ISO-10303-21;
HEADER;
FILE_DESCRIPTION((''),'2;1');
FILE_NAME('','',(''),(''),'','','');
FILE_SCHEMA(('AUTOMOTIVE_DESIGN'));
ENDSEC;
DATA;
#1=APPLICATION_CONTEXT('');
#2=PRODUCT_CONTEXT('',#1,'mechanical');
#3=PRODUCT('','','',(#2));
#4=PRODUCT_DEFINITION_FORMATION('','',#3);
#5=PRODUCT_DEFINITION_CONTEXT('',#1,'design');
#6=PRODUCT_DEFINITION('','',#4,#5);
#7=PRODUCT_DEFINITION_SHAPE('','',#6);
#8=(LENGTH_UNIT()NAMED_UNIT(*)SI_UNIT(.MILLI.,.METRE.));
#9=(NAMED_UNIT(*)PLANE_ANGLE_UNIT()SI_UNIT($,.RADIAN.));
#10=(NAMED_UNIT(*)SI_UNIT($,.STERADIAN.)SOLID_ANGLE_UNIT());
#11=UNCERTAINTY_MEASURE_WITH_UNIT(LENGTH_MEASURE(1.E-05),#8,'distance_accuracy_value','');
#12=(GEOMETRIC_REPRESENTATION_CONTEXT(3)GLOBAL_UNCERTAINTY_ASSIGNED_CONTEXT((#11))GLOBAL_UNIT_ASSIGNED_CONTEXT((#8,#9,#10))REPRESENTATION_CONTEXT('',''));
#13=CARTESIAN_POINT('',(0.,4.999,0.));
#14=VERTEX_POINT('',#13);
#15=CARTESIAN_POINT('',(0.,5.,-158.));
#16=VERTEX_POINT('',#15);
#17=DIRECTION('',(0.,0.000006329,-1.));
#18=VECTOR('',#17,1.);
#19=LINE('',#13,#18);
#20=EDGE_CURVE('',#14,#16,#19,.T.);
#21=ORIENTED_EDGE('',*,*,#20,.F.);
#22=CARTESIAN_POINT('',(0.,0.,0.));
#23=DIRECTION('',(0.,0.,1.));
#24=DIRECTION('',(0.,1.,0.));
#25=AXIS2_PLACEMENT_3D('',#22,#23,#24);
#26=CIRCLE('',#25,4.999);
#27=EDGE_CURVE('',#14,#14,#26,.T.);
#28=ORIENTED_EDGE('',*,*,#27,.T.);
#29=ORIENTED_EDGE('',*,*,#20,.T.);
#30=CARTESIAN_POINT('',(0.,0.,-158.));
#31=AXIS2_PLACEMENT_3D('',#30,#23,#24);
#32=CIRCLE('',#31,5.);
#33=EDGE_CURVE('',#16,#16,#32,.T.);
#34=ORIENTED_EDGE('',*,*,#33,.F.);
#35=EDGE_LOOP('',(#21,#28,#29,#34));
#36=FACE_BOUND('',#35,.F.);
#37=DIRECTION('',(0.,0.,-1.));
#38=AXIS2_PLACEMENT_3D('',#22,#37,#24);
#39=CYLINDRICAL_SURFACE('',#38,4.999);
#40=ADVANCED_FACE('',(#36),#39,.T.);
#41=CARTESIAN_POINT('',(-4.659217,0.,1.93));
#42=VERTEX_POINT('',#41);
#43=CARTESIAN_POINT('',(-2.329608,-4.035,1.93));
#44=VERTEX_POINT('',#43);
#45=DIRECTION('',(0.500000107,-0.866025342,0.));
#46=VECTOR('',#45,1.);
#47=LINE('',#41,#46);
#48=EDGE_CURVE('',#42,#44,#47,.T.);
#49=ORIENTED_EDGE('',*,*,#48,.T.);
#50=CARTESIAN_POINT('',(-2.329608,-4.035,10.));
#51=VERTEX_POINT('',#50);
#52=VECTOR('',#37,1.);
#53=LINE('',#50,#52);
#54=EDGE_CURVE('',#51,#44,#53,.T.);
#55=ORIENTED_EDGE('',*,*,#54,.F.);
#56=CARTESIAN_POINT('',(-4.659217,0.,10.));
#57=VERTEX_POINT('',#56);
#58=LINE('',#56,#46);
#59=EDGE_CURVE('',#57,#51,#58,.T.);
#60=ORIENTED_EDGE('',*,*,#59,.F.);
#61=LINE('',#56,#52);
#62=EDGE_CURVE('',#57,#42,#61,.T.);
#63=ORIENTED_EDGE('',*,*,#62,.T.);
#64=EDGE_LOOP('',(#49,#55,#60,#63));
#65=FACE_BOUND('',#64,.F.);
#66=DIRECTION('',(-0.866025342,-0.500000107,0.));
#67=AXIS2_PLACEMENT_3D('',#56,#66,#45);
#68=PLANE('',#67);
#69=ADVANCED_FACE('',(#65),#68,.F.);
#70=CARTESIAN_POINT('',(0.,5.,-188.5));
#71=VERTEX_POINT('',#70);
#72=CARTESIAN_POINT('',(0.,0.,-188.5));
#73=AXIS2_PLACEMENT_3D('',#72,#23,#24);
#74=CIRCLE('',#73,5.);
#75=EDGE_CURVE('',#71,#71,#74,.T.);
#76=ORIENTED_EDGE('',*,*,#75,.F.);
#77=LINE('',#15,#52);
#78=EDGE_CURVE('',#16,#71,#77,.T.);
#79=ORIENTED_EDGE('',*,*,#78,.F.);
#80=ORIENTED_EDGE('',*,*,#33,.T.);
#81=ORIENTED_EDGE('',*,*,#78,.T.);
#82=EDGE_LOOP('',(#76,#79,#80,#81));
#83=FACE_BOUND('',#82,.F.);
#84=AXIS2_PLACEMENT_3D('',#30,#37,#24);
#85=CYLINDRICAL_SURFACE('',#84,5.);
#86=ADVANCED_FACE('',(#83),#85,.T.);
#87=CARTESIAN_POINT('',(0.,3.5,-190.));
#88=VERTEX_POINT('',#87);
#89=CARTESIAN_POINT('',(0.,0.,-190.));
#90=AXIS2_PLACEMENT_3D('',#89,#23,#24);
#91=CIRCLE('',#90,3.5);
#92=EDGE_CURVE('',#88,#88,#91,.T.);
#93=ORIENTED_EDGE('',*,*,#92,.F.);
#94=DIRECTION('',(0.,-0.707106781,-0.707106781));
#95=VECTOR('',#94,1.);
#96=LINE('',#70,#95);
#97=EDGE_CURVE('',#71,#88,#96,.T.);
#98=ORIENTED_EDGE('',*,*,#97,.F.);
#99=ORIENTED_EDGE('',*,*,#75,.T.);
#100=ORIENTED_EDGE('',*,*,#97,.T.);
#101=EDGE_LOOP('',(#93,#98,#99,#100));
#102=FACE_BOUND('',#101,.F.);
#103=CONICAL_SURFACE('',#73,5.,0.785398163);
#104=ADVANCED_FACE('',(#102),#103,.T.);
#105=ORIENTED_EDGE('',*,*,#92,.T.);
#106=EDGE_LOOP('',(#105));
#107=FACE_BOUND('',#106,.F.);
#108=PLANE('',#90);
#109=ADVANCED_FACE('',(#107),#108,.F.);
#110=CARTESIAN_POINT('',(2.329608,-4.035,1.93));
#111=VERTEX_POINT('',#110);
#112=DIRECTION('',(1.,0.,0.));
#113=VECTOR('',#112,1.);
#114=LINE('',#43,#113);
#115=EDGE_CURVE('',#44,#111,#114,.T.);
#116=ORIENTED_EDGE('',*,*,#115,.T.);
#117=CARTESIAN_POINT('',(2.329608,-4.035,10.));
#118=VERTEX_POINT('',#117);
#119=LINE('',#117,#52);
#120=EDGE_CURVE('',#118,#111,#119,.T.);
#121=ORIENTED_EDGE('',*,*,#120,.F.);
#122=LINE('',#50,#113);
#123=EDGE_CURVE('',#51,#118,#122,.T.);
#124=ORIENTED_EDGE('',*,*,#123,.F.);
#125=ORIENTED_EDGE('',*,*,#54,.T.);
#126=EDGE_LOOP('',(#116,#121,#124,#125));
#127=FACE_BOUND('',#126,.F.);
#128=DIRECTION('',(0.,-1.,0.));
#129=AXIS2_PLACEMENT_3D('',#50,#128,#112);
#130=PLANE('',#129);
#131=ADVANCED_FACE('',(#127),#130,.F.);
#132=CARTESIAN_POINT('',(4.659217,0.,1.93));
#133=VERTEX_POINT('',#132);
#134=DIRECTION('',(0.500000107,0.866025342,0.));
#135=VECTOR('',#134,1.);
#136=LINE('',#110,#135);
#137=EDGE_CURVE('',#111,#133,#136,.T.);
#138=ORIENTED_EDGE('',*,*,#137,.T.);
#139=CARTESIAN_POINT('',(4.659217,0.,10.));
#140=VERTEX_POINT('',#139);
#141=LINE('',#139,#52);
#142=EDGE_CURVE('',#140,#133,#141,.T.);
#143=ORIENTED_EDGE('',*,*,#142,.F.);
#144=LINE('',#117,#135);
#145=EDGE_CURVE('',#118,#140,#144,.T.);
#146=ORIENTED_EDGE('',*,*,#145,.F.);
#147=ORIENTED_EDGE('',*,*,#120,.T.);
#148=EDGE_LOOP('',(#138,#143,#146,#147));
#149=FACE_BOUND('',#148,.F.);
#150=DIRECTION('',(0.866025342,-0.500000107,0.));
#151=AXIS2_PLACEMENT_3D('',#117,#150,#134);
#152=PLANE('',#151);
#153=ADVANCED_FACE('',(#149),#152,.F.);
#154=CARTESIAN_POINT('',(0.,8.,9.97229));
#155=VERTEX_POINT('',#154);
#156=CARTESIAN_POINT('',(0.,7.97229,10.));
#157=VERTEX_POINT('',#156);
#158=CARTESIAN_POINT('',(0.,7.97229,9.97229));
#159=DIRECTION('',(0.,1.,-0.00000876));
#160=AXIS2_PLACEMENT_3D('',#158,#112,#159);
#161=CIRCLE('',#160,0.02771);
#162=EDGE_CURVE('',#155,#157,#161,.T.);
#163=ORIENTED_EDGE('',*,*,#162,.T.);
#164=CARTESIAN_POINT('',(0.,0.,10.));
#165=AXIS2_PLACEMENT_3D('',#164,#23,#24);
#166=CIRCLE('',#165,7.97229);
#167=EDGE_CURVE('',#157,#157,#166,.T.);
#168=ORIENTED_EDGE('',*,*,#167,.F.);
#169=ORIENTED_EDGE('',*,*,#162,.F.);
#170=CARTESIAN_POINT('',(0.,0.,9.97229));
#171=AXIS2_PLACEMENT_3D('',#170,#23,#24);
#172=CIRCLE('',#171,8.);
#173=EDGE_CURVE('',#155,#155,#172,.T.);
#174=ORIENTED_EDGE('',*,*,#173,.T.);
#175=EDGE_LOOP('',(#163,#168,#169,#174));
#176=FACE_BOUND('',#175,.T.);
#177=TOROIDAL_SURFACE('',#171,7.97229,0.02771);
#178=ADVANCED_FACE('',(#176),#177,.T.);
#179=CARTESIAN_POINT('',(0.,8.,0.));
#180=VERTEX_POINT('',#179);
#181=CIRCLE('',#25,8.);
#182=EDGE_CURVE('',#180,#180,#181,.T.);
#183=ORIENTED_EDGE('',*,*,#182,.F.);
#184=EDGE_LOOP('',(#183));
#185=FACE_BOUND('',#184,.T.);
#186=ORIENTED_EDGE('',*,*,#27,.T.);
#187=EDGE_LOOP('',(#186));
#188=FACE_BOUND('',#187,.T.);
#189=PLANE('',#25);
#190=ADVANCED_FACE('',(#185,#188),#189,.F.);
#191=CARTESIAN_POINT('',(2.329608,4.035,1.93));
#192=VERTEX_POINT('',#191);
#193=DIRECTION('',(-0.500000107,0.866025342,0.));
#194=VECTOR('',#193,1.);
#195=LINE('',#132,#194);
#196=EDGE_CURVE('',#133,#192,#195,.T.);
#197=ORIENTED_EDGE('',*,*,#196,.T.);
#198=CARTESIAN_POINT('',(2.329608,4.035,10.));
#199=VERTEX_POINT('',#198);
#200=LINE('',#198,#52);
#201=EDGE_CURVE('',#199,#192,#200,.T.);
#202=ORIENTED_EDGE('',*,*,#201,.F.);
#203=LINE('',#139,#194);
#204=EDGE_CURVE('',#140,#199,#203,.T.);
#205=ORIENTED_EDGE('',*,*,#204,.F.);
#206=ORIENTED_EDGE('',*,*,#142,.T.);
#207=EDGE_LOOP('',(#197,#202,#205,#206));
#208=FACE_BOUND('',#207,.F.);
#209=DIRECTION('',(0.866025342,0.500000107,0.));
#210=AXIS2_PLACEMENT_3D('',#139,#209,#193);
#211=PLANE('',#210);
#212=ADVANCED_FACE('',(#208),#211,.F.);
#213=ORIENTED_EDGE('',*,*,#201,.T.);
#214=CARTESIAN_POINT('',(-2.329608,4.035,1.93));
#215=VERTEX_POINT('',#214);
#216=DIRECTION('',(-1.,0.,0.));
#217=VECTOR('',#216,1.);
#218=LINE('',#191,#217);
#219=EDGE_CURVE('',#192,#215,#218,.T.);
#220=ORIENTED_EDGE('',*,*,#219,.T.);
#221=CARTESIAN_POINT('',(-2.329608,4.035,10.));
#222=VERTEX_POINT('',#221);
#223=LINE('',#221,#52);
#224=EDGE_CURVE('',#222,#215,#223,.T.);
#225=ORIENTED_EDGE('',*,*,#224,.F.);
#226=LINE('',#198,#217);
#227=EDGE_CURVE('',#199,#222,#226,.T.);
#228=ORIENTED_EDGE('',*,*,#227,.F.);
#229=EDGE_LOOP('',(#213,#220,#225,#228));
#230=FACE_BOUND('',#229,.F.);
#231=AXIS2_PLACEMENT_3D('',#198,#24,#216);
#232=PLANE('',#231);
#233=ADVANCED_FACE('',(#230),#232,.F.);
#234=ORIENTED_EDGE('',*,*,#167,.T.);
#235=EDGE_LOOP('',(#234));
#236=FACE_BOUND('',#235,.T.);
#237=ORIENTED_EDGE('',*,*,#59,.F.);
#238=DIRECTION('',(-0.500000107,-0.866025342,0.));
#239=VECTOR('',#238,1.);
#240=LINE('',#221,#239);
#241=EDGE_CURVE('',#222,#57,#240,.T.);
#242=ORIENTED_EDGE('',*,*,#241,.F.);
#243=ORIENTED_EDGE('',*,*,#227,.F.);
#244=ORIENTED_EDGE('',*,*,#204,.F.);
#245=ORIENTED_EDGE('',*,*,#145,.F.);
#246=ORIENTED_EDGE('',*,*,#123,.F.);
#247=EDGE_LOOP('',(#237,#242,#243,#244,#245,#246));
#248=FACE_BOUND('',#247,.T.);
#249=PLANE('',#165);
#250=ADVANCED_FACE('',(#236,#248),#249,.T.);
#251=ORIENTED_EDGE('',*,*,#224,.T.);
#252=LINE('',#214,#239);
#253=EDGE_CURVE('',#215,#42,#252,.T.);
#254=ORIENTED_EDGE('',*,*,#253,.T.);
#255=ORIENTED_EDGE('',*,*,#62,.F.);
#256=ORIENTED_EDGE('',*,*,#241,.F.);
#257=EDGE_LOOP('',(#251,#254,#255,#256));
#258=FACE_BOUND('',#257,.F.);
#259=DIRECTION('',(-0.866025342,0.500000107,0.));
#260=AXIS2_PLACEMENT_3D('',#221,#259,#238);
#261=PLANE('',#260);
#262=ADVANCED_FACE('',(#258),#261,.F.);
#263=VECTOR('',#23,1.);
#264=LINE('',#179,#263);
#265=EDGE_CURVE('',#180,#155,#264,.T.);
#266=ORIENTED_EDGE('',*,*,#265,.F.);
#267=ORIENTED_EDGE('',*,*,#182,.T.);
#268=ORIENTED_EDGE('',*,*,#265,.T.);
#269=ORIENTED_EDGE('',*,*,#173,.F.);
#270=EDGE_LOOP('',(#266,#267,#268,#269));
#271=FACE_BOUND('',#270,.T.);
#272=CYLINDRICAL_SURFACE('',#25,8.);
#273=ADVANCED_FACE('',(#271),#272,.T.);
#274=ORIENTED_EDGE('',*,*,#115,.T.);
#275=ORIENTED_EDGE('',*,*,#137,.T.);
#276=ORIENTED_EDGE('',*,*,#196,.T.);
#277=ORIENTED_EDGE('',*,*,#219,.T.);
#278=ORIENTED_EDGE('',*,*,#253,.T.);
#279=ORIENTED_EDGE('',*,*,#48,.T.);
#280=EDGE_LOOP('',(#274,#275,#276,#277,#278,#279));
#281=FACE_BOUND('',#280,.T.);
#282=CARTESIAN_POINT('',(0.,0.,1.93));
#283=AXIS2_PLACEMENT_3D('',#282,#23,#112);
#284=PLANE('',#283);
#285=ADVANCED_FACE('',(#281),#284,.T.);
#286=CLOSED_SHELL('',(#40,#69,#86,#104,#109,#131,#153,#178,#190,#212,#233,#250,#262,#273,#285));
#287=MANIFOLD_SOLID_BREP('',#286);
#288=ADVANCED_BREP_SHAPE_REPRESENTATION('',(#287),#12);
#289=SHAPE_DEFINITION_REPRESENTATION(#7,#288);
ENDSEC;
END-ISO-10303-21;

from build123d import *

# Parameters (mm, degrees)
POCKET_DEPTH = 8.07


with BuildPart() as part:
    # Sketch → Revolve (revolve)
    with BuildSketch(Plane.YZ):
        with BuildLine():
            Line((4.999, 0), (8, 0))
            Line((8, 0), (8, 9.97229))
            ThreePointArc((8, 9.97229), (7.991884, 9.991884), (7.97229, 10))
            Line((7.97229, 10), (0, 10))
            Line((0, -190), (0, 10))
            Line((3.5, -190), (0, -190))
            Line((5, -188.5), (3.5, -190))
            Line((5, -158), (5, -188.5))
            Line((4.999, 0), (5, -158))
        make_face()
    revolve(axis=Axis((0, 0, 0), (0, 0, 1)))

    # Sketch001 → Pocket (cut)
    with BuildSketch(Plane.XY.offset(10)):
        Polygon((4.659217, 0), (2.329608, 4.035), (-2.329608, 4.035), (-4.659217, 0), (-2.329608, -4.035), (2.329608, -4.035), align=None)
    extrude(amount=-POCKET_DEPTH, mode=Mode.SUBTRACT)


solid = part.part
